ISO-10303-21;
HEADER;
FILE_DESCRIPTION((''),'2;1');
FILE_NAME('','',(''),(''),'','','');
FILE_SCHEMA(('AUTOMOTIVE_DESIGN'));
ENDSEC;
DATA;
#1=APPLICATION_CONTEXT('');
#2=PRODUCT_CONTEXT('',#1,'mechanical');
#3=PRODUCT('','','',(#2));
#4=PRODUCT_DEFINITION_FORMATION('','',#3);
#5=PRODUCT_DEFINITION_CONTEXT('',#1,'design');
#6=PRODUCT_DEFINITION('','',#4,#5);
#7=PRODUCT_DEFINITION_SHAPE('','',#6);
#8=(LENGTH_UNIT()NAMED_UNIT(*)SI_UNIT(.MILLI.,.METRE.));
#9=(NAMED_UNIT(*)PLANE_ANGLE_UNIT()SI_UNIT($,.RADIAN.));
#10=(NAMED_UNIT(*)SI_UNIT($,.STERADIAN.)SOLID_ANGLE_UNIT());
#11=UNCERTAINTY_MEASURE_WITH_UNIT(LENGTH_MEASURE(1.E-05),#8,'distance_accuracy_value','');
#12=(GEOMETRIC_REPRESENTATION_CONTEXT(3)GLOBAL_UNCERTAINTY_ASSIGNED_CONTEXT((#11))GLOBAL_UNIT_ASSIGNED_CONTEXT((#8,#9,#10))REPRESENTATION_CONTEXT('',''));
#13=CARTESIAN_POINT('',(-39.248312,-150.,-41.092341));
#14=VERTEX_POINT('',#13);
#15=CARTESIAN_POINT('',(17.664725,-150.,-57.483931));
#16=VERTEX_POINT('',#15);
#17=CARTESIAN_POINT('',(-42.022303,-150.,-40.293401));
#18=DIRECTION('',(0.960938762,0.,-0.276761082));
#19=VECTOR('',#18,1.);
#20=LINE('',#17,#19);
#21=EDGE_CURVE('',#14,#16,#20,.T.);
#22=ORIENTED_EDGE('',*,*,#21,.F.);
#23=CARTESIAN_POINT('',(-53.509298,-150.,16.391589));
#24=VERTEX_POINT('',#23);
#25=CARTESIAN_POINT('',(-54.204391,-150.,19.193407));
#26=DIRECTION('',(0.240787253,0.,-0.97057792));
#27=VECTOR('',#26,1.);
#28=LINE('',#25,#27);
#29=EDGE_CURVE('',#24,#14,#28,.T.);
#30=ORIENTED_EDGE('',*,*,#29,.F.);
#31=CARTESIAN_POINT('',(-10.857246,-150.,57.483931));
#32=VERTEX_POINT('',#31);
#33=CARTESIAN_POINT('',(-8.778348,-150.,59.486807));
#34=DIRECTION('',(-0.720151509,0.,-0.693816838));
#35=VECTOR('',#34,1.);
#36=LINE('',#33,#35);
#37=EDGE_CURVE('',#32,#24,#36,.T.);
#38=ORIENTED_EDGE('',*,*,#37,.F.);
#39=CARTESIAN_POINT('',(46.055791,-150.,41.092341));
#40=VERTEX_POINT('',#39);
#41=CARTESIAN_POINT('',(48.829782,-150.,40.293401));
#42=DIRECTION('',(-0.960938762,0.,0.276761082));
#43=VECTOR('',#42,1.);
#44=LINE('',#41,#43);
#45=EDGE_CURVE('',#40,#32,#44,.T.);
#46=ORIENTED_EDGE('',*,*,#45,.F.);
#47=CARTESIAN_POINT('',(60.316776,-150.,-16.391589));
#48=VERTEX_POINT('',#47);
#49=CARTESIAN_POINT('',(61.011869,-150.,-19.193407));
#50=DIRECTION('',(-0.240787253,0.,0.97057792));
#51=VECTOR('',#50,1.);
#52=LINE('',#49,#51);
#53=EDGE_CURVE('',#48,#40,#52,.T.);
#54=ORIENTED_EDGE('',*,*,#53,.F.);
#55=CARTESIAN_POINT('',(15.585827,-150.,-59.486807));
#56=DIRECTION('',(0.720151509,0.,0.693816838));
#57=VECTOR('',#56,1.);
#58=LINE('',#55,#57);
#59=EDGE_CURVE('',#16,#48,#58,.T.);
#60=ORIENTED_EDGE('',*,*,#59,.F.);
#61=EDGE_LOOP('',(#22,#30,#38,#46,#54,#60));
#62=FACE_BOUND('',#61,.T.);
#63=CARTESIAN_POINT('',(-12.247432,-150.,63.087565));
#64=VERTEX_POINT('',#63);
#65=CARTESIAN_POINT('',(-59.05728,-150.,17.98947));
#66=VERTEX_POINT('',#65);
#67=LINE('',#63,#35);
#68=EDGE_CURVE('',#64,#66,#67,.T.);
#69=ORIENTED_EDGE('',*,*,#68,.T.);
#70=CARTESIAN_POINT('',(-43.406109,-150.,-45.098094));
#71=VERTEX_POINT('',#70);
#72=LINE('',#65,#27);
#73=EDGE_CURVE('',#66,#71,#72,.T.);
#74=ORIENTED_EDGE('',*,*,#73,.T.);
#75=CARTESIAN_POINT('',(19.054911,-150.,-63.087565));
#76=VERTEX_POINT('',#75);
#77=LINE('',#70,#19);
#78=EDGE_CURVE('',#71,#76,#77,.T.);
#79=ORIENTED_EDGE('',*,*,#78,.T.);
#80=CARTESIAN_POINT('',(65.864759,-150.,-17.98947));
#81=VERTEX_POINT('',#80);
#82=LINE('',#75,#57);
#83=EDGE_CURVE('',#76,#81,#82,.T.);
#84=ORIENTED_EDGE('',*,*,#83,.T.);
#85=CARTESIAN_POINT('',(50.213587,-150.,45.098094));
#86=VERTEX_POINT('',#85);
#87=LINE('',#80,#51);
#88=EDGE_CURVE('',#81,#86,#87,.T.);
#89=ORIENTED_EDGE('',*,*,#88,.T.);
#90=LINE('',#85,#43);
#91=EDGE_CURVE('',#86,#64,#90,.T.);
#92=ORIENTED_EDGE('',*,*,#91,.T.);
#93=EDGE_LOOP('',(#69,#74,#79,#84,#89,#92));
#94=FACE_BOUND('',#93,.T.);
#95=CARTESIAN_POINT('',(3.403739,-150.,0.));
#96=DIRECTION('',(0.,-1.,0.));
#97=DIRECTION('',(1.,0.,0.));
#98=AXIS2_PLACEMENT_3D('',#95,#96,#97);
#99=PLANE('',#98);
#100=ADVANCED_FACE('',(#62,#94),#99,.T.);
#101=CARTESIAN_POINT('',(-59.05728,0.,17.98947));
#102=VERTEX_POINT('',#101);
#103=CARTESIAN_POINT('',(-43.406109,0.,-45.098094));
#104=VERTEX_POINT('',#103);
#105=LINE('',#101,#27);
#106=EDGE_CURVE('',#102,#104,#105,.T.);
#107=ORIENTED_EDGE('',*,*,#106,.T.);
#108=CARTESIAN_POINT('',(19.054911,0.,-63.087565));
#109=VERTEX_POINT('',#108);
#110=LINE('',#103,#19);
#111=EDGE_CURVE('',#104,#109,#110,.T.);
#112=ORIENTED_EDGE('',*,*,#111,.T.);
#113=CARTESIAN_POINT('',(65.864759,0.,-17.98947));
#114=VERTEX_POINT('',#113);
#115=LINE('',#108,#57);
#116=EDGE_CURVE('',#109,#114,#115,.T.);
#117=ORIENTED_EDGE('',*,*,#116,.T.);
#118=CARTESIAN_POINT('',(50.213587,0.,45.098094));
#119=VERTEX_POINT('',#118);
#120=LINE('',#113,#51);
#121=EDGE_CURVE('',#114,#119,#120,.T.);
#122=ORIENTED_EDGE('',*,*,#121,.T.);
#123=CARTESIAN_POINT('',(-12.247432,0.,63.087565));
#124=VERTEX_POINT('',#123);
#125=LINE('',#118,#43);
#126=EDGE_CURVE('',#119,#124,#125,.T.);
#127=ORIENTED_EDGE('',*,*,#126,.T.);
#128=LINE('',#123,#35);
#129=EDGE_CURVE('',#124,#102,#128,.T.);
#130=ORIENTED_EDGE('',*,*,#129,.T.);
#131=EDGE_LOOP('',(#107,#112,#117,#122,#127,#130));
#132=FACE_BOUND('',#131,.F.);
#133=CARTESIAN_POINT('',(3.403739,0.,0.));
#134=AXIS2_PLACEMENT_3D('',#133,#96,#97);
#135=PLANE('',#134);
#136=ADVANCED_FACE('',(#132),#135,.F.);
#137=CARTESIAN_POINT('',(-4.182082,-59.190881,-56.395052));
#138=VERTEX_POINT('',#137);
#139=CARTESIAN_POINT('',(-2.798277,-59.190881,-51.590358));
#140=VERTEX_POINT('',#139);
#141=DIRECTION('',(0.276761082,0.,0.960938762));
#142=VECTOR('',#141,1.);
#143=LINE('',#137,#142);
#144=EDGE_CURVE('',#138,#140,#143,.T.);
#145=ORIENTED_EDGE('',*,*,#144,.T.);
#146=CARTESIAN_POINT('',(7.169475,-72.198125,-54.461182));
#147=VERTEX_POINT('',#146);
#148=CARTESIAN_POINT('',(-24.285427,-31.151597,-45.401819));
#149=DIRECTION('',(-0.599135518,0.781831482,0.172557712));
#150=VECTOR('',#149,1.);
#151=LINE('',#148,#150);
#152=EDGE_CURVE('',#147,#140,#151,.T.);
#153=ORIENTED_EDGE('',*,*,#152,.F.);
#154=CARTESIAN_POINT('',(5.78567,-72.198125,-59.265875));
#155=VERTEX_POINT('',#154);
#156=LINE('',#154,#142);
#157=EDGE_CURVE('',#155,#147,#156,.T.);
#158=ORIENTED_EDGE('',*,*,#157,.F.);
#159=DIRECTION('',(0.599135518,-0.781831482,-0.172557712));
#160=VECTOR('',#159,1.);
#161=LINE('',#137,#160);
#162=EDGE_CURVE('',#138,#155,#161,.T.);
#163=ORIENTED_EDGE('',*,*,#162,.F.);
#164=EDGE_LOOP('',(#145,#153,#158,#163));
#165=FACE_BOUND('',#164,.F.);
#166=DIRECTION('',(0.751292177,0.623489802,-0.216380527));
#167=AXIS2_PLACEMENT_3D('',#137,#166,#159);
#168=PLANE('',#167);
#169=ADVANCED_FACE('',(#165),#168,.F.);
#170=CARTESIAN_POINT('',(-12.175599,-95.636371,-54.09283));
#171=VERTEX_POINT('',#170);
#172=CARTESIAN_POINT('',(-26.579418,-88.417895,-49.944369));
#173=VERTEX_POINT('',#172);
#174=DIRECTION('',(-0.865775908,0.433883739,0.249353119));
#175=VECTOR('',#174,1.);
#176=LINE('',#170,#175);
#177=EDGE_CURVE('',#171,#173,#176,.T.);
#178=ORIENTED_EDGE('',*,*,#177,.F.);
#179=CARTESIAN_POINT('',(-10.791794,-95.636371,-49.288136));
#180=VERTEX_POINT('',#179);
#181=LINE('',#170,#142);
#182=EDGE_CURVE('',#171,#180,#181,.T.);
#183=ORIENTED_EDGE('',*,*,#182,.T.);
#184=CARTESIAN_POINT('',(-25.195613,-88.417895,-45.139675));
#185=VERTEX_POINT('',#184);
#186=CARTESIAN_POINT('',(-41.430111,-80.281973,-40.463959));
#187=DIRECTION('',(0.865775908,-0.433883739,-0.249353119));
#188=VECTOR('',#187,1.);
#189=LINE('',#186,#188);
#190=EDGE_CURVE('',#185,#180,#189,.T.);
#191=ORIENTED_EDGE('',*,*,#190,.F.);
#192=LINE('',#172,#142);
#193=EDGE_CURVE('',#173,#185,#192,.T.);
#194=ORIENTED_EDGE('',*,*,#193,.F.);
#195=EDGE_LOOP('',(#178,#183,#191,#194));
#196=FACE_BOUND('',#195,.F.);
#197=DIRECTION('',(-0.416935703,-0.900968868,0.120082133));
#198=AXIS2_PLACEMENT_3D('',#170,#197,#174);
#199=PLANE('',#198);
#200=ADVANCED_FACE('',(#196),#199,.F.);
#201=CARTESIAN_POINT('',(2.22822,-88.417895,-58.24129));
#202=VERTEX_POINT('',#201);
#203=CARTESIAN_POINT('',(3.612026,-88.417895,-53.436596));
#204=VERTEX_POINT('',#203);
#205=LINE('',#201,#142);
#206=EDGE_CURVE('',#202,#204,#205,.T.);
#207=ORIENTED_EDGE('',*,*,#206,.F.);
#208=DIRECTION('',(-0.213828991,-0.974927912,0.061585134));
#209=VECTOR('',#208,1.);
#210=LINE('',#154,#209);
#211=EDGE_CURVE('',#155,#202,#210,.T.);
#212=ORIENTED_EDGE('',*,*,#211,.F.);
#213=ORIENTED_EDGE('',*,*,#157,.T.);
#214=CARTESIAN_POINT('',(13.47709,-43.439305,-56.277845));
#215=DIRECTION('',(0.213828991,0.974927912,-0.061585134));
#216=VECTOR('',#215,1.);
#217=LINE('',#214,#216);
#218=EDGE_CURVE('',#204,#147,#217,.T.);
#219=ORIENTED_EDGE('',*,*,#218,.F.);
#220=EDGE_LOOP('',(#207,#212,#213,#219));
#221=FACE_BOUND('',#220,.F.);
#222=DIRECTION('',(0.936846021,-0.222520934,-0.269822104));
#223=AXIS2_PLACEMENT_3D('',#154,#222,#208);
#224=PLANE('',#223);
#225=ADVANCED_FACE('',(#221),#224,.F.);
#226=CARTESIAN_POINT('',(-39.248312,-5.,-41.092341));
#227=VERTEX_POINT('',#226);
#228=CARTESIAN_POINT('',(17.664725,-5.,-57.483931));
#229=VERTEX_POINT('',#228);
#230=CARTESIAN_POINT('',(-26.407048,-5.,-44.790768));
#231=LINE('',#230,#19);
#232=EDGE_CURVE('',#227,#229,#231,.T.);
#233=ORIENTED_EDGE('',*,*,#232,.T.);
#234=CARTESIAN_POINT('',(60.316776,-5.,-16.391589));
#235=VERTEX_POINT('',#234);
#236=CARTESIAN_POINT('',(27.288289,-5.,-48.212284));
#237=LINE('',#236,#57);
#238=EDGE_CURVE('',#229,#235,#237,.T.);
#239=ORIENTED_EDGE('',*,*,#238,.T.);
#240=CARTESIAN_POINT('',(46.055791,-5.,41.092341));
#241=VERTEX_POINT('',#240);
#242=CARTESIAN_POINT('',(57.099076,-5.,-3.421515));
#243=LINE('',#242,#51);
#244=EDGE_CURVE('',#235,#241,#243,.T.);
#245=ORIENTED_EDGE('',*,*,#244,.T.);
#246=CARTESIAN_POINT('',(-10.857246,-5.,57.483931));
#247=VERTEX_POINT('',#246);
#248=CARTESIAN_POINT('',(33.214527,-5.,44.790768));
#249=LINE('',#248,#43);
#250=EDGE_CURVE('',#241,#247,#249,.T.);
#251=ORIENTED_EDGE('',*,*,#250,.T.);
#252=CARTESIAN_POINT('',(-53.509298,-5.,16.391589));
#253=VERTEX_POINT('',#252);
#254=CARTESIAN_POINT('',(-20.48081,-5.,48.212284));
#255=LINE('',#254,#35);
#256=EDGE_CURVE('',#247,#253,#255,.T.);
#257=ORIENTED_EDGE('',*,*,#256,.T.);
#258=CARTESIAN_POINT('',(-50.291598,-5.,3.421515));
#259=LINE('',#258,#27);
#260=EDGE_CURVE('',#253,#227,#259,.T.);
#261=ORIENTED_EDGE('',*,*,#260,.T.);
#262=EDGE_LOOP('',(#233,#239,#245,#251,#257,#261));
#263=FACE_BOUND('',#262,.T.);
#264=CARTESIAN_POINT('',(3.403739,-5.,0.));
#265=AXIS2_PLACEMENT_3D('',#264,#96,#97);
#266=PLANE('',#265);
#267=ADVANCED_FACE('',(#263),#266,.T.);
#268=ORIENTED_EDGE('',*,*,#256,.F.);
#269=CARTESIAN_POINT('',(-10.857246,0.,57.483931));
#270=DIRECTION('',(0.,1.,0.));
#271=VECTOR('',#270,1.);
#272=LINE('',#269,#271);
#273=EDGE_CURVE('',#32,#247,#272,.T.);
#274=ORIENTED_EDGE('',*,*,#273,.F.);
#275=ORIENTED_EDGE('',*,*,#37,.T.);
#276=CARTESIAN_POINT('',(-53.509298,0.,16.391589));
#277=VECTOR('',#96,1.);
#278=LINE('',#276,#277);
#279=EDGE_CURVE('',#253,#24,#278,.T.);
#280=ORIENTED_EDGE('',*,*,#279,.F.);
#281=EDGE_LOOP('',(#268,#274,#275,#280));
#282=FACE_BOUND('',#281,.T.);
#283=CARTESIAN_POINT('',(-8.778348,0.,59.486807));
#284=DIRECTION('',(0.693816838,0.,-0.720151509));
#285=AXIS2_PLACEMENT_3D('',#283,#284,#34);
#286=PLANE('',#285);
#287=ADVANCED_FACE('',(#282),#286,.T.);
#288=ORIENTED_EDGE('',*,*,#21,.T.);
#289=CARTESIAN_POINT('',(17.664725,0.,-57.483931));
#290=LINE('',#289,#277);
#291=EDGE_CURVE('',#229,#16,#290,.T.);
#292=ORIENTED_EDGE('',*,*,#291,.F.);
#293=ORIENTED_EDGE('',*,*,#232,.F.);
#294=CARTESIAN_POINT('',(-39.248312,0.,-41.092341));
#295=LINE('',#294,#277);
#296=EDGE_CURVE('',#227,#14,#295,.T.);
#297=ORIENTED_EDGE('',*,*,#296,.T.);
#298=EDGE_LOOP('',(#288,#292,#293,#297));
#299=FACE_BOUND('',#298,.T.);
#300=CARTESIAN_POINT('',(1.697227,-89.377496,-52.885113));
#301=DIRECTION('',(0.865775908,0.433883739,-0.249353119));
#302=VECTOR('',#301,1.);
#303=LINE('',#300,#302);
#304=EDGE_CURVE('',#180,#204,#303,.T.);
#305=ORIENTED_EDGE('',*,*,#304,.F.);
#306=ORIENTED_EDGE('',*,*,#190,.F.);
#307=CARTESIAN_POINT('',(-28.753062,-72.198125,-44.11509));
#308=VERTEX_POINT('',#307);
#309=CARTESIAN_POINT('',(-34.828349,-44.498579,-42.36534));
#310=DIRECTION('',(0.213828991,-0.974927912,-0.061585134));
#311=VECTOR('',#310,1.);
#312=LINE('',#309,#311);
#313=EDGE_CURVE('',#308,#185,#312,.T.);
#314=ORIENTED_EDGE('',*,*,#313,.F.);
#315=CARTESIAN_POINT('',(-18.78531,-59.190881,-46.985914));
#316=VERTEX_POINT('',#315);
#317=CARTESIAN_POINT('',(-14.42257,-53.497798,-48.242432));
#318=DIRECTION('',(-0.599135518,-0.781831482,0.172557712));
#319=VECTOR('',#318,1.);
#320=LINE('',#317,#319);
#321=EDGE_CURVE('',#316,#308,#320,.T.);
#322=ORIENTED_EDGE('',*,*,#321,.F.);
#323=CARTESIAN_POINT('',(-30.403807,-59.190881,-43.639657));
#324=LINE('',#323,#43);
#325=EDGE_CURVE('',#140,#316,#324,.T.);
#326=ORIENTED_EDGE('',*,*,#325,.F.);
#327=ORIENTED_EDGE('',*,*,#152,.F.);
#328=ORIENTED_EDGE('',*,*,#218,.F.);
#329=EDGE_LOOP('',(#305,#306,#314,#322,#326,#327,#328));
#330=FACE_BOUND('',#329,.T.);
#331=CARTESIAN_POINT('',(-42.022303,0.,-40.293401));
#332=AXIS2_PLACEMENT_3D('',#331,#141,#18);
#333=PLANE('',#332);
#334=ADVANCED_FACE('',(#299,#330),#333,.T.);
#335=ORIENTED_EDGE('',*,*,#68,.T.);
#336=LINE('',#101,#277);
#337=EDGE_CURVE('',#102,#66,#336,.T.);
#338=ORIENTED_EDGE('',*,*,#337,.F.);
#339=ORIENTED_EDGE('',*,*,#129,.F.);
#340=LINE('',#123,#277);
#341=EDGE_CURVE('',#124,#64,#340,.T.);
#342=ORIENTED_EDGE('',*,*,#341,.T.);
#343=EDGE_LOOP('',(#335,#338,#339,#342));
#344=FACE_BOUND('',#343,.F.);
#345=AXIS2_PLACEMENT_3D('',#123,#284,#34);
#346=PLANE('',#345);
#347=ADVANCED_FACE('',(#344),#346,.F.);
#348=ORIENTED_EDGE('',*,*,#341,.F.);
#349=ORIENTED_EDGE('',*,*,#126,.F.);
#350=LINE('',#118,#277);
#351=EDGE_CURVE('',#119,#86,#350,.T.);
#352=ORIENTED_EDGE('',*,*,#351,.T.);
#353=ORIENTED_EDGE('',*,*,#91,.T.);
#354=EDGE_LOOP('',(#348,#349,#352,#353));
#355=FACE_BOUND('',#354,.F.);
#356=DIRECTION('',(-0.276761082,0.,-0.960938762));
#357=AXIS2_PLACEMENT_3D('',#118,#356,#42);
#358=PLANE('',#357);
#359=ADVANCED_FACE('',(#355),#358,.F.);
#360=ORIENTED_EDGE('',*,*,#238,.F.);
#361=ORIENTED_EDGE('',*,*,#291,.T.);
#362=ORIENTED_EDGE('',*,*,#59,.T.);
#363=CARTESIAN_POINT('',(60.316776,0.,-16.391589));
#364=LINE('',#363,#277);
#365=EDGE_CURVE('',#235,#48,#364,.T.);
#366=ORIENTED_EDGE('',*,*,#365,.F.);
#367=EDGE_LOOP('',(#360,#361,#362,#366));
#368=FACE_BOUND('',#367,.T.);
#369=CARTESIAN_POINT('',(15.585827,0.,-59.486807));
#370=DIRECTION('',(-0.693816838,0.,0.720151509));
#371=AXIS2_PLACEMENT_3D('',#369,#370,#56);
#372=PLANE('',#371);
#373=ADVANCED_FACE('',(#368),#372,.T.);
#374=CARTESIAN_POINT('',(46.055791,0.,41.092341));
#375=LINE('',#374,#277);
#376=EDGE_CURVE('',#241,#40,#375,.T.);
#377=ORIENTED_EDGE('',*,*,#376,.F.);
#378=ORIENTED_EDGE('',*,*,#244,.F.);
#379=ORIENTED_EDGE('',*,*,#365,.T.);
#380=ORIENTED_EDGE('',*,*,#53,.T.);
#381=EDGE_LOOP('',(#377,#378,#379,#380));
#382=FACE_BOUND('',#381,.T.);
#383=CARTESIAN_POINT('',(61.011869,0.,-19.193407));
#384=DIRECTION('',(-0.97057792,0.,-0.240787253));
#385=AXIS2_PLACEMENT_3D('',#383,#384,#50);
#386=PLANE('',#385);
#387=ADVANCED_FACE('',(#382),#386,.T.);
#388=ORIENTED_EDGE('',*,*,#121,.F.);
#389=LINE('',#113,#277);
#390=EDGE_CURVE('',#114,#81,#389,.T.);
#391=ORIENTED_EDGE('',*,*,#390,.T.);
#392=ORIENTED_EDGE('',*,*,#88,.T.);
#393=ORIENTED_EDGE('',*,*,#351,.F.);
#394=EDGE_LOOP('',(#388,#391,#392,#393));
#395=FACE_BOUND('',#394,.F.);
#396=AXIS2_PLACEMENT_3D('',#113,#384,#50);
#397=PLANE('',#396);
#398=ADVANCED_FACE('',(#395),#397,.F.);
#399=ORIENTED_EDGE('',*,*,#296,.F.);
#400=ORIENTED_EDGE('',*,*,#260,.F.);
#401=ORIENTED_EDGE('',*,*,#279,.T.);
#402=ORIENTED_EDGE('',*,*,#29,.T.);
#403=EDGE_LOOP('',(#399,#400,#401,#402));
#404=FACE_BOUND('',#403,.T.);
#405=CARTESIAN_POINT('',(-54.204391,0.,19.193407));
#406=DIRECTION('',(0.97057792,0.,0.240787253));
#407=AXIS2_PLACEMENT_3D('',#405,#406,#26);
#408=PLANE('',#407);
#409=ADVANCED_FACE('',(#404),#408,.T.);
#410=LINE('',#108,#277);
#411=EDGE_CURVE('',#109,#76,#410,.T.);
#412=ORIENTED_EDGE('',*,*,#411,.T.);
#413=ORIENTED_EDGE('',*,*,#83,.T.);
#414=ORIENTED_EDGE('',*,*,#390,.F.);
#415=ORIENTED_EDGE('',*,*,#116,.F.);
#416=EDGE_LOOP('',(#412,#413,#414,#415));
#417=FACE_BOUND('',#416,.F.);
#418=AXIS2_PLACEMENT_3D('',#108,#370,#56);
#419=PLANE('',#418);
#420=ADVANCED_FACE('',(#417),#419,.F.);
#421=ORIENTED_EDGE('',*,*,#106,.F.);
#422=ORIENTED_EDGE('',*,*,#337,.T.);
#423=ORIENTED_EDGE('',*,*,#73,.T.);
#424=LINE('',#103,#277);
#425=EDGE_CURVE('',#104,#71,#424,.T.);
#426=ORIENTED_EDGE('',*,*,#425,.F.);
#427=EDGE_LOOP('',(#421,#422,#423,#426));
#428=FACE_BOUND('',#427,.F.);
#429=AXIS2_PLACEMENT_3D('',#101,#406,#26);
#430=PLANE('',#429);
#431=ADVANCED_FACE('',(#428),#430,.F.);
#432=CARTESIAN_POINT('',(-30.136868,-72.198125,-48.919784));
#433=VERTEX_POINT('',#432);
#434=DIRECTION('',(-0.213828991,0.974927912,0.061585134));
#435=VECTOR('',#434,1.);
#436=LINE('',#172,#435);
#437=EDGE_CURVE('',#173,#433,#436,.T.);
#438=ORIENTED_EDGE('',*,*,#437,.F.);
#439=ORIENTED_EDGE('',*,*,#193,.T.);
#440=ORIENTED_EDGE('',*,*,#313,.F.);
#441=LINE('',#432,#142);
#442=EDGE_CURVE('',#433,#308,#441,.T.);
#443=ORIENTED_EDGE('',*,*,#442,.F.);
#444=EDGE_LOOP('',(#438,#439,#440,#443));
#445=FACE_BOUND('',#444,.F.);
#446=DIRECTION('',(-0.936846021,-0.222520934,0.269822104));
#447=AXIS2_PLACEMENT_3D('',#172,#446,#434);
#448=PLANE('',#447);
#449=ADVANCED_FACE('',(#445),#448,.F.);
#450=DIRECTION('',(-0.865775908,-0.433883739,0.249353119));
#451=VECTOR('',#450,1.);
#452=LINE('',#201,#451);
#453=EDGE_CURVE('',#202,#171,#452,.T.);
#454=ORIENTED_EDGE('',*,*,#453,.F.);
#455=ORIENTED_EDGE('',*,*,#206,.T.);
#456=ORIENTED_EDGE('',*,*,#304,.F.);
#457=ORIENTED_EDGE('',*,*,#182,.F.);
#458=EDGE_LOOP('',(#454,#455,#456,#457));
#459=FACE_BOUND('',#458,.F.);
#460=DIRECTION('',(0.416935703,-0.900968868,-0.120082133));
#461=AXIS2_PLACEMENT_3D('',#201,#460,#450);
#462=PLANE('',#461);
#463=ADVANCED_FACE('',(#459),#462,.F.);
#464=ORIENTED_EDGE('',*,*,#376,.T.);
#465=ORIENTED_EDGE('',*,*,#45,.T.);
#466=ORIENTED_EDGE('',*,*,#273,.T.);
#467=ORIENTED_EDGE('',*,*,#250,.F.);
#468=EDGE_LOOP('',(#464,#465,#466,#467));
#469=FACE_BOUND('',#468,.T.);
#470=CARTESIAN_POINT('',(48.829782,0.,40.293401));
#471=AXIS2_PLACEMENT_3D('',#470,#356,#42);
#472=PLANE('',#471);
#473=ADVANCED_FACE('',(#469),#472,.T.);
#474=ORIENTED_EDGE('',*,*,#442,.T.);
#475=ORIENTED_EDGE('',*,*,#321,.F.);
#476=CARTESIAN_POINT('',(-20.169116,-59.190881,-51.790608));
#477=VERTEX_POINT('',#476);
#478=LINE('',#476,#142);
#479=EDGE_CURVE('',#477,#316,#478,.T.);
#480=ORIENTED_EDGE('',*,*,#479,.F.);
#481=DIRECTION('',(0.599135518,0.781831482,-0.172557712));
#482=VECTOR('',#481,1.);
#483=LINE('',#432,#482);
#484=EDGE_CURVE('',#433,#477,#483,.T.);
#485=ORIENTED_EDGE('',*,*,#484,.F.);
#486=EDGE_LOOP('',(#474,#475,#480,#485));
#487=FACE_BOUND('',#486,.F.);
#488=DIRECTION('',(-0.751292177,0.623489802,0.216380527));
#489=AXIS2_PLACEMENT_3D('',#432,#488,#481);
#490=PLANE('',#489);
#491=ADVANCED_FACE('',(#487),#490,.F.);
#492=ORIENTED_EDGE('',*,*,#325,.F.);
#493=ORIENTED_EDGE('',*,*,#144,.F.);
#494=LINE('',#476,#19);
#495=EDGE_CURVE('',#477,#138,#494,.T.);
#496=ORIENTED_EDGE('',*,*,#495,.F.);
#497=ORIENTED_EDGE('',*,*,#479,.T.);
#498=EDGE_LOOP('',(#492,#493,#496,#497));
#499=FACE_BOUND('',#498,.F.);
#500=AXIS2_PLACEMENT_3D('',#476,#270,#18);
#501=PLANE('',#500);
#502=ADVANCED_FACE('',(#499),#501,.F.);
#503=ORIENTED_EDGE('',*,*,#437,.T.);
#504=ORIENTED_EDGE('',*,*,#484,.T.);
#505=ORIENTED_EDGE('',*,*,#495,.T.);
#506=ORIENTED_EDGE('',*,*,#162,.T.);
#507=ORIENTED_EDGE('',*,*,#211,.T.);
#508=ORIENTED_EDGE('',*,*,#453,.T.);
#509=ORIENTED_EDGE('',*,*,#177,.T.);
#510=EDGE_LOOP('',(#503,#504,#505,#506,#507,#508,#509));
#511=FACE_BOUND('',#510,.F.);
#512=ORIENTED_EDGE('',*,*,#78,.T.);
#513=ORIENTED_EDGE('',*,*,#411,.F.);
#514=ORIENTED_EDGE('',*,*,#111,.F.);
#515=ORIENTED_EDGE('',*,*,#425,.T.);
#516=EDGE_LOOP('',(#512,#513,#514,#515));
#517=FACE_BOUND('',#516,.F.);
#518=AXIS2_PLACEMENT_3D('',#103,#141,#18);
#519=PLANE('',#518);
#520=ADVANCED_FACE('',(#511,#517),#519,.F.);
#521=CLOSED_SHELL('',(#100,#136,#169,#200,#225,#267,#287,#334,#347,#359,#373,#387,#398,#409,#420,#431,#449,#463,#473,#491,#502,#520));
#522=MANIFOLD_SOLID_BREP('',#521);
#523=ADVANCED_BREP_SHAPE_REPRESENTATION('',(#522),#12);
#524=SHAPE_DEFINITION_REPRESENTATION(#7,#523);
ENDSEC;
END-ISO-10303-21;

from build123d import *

# Parameters (mm, degrees)
F1_DEPTH = 150
F2_T     = -5
F4_DEPTH = 25


with BuildPart() as f1:
    # F0 (on Front) → F1 (new body)
    with BuildSketch(Plane.XZ):
        Polygon((-12.2474321396, 63.0875647986), (-59.0572801928, 17.9894703241), (-43.4061087422, -45.0980944746), (19.0549107617, -63.0875647986), (65.8647588149, -17.9894703241), (50.2135873642, 45.0980944746), align=None)
    extrude(amount=F1_DEPTH)

    # F2
    f2_openings = [f1.faces().sort_by_distance(p)[0] for p in [
        (3.403739, -150, 0),
    ]]
    offset(amount=F2_T, openings=f2_openings)

    # F3 (on face) → F4 (cut)
    with BuildSketch(Plane(origin=(-15.3186231144, 0, -53.1876036307), x_dir=(0.9609387616, 0, -0.2767610819), z_dir=(-0.2767610819, 0, -0.9609387616))):
        Polygon((-5.047660324, 59.1908805072), (11.5892304007, 59.1908805072), (21.9621621023, 72.1981254462), (18.26010564, 88.4178945857), (3.2707850383, 95.6363709407), (-11.7185355634, 88.4178945857), (-15.4205920256, 72.1981254462), align=None)
    extrude(amount=-F4_DEPTH, mode=Mode.SUBTRACT)


solid = f1.part
